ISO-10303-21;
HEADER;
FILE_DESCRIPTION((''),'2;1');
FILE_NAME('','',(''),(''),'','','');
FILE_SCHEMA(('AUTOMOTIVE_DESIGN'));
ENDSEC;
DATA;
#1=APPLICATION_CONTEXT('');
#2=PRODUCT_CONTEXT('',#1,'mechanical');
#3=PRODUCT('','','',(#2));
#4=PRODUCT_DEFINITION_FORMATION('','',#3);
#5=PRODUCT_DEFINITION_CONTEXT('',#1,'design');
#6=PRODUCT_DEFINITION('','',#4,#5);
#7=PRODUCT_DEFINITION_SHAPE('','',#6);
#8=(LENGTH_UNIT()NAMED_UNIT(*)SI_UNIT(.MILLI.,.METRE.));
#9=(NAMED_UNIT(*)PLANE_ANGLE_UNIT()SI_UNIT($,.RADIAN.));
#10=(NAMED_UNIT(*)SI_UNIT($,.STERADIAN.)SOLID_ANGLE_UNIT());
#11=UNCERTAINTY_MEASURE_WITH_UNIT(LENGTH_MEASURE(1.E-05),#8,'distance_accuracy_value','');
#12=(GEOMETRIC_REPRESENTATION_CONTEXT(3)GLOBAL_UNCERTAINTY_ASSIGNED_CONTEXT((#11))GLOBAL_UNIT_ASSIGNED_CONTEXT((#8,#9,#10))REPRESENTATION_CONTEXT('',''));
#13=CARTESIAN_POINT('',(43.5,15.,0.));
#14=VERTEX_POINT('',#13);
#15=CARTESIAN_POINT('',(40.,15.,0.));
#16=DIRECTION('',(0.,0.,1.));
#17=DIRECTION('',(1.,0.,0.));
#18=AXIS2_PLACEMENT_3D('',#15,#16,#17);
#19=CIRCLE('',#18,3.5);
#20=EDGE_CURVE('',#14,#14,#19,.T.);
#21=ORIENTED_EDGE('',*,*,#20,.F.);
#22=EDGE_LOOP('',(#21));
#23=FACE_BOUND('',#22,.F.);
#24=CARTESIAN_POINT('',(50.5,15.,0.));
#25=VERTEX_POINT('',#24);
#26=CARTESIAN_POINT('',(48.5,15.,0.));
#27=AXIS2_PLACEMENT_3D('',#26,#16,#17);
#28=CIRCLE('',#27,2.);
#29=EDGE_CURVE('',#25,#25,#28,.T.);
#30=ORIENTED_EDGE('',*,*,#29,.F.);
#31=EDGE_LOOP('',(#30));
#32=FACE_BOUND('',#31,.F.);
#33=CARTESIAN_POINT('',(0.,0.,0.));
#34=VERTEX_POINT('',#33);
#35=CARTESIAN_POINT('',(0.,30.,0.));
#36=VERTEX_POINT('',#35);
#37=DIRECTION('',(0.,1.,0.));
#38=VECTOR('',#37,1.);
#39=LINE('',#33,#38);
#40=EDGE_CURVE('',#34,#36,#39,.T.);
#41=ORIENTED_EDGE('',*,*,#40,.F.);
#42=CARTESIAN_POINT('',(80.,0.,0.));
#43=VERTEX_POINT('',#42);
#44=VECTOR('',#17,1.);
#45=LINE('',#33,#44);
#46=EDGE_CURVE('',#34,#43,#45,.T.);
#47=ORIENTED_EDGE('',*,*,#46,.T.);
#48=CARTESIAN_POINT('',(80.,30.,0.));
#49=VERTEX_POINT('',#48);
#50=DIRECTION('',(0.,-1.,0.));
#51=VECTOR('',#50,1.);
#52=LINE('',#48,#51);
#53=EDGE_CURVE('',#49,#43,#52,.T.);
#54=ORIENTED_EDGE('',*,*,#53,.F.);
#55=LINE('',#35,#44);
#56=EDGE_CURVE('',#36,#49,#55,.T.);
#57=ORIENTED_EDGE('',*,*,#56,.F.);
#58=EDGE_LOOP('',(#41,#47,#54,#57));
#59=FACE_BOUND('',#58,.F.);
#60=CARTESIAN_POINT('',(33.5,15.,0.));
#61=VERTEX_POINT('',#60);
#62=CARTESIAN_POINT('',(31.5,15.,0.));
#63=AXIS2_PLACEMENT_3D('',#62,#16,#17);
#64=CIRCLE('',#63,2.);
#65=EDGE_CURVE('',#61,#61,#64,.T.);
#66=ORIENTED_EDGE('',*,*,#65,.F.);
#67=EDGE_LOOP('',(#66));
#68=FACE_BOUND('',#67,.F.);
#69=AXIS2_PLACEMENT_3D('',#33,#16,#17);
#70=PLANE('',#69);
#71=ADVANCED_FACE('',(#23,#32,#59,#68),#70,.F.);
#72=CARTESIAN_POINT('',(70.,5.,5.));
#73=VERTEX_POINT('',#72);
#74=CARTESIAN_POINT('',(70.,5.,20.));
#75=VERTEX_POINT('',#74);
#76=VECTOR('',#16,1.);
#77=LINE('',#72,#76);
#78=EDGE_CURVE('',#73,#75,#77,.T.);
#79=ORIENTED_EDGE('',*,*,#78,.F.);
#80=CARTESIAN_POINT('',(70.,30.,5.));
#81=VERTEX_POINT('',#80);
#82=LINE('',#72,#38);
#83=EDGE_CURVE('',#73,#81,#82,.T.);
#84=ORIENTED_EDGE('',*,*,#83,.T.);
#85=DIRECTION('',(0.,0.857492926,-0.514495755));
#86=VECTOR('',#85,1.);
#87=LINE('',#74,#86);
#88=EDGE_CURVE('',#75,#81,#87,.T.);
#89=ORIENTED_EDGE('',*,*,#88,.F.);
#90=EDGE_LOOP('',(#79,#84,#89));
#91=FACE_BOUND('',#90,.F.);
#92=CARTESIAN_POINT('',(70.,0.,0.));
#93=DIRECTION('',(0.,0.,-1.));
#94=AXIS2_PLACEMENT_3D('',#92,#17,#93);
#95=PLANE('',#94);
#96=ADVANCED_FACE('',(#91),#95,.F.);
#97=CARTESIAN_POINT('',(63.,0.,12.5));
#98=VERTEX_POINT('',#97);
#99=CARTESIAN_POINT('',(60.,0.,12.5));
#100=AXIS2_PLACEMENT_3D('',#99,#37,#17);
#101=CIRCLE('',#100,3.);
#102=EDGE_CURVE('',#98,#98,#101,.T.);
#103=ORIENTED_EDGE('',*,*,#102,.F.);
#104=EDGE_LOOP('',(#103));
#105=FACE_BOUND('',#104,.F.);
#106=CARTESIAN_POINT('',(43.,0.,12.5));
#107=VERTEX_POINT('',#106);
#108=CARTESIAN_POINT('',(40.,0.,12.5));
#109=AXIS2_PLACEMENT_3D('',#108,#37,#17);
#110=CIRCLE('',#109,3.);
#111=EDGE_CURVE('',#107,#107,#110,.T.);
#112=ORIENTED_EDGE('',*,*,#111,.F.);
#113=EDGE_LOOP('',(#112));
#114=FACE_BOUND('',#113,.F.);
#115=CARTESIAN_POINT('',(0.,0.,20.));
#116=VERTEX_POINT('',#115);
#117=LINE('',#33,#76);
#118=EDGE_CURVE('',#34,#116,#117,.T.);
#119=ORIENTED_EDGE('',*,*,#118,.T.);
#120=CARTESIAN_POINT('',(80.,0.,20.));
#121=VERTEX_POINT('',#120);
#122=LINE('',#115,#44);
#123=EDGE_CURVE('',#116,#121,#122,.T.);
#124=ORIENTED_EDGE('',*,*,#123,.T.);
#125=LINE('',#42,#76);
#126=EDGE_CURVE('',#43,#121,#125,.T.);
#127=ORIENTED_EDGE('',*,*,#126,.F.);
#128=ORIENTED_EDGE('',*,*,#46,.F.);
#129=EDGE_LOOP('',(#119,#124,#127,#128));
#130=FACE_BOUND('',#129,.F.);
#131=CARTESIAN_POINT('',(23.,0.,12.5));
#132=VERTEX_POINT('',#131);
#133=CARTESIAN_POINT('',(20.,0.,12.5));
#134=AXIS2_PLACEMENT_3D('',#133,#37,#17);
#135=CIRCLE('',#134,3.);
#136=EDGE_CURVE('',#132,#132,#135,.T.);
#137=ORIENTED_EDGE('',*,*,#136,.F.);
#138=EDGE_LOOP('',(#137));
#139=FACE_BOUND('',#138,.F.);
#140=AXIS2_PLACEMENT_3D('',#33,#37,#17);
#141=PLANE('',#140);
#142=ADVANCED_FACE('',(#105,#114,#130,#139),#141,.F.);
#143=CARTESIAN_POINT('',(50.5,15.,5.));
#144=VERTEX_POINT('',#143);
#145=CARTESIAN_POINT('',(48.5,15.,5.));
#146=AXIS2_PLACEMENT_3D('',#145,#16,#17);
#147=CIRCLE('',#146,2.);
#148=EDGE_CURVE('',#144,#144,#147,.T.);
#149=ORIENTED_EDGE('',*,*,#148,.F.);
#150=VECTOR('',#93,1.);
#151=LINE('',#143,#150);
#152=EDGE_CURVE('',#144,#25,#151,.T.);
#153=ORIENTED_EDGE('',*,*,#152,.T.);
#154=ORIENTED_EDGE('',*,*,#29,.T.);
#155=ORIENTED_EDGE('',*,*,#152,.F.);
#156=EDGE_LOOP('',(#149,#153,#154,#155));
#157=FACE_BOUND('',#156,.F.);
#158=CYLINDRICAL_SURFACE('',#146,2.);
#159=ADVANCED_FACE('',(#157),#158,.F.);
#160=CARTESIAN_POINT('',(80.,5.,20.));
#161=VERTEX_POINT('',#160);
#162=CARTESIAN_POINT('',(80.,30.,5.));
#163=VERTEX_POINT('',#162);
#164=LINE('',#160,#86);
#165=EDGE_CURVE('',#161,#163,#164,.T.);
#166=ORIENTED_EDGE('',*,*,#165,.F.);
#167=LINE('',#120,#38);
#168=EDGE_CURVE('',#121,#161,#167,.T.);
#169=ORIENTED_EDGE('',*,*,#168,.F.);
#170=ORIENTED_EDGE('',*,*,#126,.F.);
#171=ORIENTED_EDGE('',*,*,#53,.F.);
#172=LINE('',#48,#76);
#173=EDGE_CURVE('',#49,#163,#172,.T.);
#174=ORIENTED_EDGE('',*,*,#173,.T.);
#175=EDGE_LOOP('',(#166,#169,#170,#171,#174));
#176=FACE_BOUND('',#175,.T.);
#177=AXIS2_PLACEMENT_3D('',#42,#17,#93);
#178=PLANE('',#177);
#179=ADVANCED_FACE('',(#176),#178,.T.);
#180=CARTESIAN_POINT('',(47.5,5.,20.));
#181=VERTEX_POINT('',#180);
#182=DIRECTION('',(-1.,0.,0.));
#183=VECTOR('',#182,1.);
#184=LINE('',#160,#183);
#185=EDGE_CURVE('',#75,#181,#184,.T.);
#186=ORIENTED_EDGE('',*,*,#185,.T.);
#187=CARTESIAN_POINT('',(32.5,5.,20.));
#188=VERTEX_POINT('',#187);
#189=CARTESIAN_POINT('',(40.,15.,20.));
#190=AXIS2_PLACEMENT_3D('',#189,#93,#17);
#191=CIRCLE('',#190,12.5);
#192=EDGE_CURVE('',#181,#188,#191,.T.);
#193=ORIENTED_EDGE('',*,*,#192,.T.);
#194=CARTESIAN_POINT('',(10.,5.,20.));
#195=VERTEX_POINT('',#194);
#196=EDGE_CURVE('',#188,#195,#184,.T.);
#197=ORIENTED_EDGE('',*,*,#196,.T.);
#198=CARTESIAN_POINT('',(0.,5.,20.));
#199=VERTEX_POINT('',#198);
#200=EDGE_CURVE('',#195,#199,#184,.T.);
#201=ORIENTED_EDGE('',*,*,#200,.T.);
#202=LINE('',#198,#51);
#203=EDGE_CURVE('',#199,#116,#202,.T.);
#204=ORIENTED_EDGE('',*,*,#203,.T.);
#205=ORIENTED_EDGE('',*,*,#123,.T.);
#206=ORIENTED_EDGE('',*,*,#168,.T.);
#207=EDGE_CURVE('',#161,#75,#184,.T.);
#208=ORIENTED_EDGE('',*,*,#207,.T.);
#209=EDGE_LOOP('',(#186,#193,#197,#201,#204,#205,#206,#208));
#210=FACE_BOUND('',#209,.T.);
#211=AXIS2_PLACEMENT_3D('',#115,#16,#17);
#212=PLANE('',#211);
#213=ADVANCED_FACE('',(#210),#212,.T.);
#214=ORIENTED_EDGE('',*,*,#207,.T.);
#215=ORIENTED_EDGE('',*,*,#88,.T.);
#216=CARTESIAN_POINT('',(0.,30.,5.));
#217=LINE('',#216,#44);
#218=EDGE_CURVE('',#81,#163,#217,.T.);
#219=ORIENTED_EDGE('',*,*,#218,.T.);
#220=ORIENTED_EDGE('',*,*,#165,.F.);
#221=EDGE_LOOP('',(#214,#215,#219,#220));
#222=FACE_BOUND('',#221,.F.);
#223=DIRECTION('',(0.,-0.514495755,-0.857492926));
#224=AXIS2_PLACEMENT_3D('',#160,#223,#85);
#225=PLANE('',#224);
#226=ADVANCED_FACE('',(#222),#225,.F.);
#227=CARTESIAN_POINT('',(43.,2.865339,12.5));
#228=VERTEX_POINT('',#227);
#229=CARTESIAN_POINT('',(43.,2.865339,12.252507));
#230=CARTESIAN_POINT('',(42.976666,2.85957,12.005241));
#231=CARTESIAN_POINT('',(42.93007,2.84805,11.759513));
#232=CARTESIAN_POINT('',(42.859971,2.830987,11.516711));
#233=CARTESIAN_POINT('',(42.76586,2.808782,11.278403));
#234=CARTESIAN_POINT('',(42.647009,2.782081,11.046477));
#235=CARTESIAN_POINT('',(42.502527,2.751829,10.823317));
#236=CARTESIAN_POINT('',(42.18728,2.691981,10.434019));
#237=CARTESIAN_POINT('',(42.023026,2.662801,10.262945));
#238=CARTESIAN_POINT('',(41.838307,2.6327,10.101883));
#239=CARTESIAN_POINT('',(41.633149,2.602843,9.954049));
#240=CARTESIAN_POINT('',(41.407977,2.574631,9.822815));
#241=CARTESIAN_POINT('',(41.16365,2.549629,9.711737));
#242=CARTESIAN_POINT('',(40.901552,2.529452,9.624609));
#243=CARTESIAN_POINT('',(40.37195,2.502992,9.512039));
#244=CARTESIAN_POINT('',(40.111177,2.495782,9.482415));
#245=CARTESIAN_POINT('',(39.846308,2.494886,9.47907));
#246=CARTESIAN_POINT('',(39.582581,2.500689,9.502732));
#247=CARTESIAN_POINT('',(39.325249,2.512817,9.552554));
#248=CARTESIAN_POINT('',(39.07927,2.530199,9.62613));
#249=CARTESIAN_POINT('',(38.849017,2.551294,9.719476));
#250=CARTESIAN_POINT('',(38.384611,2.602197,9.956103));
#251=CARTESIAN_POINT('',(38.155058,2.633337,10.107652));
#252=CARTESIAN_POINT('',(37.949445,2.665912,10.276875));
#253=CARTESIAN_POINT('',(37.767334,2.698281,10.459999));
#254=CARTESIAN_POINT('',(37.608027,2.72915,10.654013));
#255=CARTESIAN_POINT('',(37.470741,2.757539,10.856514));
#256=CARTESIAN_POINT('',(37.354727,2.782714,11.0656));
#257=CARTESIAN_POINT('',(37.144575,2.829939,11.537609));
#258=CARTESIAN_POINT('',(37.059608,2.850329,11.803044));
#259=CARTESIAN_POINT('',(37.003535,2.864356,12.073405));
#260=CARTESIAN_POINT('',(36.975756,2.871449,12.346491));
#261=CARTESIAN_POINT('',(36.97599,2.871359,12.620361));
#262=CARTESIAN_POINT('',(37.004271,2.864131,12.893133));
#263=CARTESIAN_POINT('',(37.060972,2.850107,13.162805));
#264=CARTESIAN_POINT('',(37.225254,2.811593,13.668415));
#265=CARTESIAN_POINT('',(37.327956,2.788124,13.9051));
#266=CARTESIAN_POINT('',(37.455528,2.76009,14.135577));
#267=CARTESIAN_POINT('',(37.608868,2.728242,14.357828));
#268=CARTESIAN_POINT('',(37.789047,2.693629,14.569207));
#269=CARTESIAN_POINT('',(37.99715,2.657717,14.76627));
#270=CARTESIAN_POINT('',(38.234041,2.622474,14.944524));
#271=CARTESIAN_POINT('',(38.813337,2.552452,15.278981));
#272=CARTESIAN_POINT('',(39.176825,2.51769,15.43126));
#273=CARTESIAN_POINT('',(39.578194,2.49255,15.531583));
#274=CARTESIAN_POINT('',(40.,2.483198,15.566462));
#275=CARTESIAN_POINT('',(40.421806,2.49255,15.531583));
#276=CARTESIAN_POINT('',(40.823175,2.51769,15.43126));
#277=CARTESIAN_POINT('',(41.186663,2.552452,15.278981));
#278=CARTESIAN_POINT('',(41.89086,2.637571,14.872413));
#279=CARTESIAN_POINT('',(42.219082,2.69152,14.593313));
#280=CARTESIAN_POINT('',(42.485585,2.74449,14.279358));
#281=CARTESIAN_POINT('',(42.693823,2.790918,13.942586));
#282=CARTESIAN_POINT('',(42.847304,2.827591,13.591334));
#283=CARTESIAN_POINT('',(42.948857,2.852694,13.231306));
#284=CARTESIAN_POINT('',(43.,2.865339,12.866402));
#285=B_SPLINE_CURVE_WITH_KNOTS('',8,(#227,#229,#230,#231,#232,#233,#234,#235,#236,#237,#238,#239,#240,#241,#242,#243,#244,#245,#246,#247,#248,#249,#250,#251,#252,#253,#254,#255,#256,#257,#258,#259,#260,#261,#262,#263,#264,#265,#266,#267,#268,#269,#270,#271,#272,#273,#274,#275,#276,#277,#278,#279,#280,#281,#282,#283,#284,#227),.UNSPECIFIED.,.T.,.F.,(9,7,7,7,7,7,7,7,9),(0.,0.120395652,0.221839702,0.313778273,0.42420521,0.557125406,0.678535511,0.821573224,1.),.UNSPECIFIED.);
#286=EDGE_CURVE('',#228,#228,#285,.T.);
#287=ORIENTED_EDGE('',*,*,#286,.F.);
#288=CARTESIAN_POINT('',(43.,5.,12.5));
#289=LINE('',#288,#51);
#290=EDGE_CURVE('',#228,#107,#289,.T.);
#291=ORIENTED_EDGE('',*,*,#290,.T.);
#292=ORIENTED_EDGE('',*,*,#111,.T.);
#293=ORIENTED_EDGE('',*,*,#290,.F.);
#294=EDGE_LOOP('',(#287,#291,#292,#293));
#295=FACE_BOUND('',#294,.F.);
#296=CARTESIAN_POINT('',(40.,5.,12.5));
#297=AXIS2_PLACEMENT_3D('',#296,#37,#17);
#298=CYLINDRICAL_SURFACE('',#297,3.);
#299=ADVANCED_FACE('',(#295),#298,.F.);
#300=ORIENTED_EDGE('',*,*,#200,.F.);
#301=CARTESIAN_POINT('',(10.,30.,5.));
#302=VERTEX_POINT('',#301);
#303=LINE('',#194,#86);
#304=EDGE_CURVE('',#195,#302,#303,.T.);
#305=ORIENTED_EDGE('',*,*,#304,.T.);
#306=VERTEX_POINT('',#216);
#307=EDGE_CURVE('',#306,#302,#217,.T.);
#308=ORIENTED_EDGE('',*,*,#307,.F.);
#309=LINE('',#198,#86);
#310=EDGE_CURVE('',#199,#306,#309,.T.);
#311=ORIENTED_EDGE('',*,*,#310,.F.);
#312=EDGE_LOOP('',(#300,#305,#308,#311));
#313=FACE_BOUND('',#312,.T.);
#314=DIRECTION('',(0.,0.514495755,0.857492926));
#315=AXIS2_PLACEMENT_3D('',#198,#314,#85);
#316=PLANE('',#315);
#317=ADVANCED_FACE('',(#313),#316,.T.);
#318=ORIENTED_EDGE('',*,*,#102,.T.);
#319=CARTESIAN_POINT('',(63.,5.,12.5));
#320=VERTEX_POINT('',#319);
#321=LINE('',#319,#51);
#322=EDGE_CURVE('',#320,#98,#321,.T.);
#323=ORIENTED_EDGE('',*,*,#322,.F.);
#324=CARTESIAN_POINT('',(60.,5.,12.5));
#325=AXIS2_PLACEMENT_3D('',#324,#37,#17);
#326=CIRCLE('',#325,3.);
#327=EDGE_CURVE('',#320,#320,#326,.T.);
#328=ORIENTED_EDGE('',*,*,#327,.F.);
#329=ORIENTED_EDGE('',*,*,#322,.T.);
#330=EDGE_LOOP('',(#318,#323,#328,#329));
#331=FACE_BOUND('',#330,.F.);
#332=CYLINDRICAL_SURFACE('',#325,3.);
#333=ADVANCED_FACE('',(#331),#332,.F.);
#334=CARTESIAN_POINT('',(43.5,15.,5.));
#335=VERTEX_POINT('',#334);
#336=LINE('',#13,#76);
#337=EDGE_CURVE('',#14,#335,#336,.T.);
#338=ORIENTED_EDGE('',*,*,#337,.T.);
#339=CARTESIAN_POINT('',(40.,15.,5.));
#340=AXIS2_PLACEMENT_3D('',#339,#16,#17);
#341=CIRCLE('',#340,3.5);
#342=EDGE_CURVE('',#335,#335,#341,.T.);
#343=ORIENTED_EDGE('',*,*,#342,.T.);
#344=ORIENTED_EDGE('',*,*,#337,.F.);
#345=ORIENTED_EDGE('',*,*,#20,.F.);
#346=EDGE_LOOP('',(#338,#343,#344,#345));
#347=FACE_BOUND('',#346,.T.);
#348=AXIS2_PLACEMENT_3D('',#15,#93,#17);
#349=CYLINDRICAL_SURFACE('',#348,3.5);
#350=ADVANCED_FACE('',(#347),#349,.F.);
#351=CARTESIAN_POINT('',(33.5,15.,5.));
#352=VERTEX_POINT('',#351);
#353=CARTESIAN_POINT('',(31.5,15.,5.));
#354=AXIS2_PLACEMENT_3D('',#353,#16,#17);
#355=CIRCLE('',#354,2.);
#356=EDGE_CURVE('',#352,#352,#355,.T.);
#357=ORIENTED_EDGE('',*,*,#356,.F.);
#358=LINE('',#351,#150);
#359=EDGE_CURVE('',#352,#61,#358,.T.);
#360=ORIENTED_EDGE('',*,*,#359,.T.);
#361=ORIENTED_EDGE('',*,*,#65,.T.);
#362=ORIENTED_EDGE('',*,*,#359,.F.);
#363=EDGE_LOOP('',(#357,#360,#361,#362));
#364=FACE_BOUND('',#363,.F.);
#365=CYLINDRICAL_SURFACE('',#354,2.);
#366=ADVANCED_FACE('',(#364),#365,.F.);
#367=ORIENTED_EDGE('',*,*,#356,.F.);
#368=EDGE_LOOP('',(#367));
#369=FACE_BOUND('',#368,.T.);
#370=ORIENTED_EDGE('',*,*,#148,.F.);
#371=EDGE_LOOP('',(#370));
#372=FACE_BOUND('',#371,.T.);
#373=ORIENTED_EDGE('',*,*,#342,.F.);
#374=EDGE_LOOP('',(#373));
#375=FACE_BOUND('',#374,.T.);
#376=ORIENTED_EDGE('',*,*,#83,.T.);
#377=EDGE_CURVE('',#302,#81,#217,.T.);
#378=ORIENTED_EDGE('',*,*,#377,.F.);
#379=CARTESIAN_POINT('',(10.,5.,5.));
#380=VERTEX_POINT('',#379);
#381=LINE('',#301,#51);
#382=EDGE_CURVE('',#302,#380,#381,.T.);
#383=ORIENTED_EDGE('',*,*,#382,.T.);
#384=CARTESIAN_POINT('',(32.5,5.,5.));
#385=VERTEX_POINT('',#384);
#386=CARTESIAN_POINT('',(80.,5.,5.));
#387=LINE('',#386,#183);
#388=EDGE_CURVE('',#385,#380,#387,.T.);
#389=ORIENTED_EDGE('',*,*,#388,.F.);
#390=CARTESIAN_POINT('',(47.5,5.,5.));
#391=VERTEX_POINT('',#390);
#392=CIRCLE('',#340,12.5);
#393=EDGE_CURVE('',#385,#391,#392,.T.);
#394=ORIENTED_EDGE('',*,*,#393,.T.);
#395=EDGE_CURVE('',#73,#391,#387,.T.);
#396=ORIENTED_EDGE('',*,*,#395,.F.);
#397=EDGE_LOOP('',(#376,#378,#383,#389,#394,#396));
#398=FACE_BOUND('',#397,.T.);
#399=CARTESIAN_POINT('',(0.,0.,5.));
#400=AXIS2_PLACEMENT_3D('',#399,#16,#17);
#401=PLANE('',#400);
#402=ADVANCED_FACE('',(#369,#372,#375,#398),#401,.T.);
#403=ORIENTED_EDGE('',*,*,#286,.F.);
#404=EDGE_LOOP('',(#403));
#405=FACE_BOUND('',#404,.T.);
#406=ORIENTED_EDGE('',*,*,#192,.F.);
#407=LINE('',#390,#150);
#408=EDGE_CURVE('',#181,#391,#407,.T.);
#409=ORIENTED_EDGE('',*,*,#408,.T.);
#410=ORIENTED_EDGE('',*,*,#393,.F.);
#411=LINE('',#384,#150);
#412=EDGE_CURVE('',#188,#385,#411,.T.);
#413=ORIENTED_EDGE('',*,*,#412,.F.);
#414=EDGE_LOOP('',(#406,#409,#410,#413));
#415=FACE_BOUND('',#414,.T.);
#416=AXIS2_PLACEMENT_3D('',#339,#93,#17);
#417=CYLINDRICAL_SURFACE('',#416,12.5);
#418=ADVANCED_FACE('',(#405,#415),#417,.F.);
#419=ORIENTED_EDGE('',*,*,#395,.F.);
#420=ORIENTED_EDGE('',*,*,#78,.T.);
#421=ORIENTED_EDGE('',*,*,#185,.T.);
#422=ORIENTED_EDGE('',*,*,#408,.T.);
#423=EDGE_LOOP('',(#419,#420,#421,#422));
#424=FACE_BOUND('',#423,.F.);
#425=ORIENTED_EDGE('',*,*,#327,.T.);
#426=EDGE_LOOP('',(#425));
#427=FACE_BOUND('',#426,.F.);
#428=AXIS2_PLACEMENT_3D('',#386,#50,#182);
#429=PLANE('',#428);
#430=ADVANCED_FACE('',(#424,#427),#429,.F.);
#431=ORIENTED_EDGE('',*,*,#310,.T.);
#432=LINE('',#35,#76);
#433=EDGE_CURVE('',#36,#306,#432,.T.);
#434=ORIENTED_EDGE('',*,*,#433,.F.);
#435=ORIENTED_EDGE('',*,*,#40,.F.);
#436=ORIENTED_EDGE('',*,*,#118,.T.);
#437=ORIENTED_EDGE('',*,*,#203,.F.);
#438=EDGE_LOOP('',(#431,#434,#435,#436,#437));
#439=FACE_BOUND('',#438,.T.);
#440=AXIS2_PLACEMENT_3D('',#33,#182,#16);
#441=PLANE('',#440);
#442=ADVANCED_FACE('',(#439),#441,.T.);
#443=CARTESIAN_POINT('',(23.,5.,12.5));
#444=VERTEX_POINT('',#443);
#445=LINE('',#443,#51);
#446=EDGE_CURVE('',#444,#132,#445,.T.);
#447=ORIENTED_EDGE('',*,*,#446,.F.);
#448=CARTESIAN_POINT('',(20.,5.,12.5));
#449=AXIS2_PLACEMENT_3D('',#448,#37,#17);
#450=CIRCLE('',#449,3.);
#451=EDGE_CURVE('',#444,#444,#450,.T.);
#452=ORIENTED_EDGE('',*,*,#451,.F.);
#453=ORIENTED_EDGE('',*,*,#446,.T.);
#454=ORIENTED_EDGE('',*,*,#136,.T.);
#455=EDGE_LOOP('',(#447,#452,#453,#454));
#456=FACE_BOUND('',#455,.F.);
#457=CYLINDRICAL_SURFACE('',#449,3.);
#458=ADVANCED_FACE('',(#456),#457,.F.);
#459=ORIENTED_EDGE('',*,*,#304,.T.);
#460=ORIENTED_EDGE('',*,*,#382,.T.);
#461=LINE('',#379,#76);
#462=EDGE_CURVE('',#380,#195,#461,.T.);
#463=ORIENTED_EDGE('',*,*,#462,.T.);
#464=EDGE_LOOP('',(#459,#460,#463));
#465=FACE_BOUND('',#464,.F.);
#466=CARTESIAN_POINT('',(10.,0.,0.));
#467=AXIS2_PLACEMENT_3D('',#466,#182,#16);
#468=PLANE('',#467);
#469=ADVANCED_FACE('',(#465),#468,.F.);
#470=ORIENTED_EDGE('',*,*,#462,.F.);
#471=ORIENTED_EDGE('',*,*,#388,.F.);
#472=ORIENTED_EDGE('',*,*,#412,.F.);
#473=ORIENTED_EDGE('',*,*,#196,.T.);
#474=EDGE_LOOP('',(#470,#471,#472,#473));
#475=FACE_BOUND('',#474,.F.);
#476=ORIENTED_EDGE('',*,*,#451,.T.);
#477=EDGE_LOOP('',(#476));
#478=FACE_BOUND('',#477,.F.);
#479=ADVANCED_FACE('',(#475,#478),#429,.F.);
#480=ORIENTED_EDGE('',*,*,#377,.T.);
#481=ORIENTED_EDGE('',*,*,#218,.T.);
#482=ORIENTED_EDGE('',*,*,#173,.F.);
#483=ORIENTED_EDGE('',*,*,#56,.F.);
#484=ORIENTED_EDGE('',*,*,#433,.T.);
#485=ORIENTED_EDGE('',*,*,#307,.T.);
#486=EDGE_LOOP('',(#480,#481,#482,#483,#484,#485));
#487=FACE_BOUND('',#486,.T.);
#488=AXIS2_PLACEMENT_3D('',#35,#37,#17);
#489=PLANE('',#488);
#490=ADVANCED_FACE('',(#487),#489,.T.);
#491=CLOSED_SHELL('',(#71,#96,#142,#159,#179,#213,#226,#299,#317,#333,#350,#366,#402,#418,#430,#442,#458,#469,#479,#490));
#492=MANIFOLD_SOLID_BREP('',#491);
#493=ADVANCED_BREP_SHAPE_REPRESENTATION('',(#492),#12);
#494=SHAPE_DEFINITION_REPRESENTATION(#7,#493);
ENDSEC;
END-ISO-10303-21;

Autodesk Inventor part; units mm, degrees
ref_plane "YZ Plane" through (0, 0, 0) normal (1, 0, 0) x (0, 1, 0)
ref_plane "XZ Plane" through (0, 0, 0) normal (0, 1, 0) x (-1, 0, 0)
ref_plane "XY Plane" through (0, 0, 0) normal (0, 0, 1) x (1, 0, 0)
sketch "Sketch1" plane through (0, 0, 0) normal (0, 0, 1) x (1, 0, 0)
  line L0 (0, 0) -> (80, 0)
  circle A0 centre (40, 15) radius 3.5
  line L1 (0, 0) -> (0, 30)
  line L2 (0, 30) -> (80, 30)
  line L3 (80, 30) -> (80, 0)
  point P0 (40, 0)
  dimension "d0" = 80
  dimension "d2" = 7
  dimension "d3" = 15
  dimension "d4" = 30
extrude "Extrusion1" add sketch "Sketch1" along normal blind 5
sketch "Sketch2" plane through (0, 0, 5) normal (0, 0, 1) x (1, 0, 0)
  line L0 (0, 0) -> (80, 0) projected
  line L1 (0, 0) -> (80, 0)
  line L2 (80, 0) -> (80, 5)
  line L3 (80, 5) -> (0, 5)
  line L4 (0, 5) -> (0, 0)
  line L5 (80, 0) -> (80, 30) projected
  point P0 (40, 0)
  dimension "d8" = 5
extrude "Extrusion2" add sketch "Sketch2" along normal blind 15
sketch "Sketch3" plane through (0, 0, 5) normal (0, 0, 1) x (1, 0, 0)
  circle A0 centre (31.5, 15) radius 2
  circle A1 centre (48.5, 15) radius 2
  line L0 (80, 5) -> (80, 30) projected
  line L1 (80, 30) -> (0, 30) projected
  line L2 (0, 30) -> (0, 5) projected
  line L3 (0, 5) -> (80, 5) projected
  circle A2 centre (40, 15) radius 3.5 projected
  line L4 (31.5, 15) -> (48.5, 15) construction
  point P0 (0, 0)
  dimension "d11" = 4
  dimension "d12" = 4
  dimension "d13" = 17
extrude "Extrusion3" cut sketch "Sketch3" against normal through all contours A0 | A1
sketch "Sketch5" plane through (0, 5, 5) normal (0, 1, 0) x (1, 0, 0)
  line L0 (0, 0) -> (0, -15) construction
  line L1 (80, 5) -> (80, -15) construction
  circle A0 centre (20, -7.5) radius 3
  circle A1 centre (40, -7.5) radius 3
  circle A2 centre (60, -7.5) radius 3
  line L2 (0, -7.5) -> (80, -7.5) construction
  point P0 (0, 5)
  point P1 (40, -7.5)
  point P2 (40, -7.5)
  dimension "d17" = 6
  dimension "d18" = 6
  dimension "d19" = 20
  dimension "d25" = 6
  dimension "d26" = 20
extrude "Extrusion4" cut sketch "Sketch5" against normal through all
sketch "Sketch6" plane through (0, 0, 5) normal (0, 0, 1) x (1, 0, 0)
  circle A0 centre (40, 15) radius 3.5 projected
  circle A1 centre (40, 15) radius 12.5
  point P0 (0, 0)
  dimension "d27" = 25
extrude "Extrusion5" cut sketch "Sketch6" along normal through all
sketch "Sketch8" plane through (80, 0, 0) normal (1, 0, 0) x (0, 0, -1)
  line L0 (-5, 5) -> (-20, 5) projected
  line L1 (-5, 5) -> (-5, 30) projected
  line L2 (-20, 5) -> (-5, 30)
  line L3 (-5, 30) -> (-5, 5)
  line L4 (-5, 5) -> (-20, 5)
  point P0 (0, 0)
extrude "Extrusion6" add sketch "Sketch8" against normal blind 10
sketch "Sketch9" plane through (0, 0, 0) normal (-1, 0, 0) x (0, 0, 1)
  line L0 (20, 0) -> (20, 5) projected
  line L1 (20, 5) -> (5, 30)
  line L2 (5, 5) -> (20, 5) projected
  line L3 (5, 30) -> (5, 5)
  line L4 (5, 5) -> (20, 5)
  point P0 (0, 0)
extrude "Extrusion7" add sketch "Sketch9" against normal blind 10
properties part number "C005" material "ABS Plastic"
